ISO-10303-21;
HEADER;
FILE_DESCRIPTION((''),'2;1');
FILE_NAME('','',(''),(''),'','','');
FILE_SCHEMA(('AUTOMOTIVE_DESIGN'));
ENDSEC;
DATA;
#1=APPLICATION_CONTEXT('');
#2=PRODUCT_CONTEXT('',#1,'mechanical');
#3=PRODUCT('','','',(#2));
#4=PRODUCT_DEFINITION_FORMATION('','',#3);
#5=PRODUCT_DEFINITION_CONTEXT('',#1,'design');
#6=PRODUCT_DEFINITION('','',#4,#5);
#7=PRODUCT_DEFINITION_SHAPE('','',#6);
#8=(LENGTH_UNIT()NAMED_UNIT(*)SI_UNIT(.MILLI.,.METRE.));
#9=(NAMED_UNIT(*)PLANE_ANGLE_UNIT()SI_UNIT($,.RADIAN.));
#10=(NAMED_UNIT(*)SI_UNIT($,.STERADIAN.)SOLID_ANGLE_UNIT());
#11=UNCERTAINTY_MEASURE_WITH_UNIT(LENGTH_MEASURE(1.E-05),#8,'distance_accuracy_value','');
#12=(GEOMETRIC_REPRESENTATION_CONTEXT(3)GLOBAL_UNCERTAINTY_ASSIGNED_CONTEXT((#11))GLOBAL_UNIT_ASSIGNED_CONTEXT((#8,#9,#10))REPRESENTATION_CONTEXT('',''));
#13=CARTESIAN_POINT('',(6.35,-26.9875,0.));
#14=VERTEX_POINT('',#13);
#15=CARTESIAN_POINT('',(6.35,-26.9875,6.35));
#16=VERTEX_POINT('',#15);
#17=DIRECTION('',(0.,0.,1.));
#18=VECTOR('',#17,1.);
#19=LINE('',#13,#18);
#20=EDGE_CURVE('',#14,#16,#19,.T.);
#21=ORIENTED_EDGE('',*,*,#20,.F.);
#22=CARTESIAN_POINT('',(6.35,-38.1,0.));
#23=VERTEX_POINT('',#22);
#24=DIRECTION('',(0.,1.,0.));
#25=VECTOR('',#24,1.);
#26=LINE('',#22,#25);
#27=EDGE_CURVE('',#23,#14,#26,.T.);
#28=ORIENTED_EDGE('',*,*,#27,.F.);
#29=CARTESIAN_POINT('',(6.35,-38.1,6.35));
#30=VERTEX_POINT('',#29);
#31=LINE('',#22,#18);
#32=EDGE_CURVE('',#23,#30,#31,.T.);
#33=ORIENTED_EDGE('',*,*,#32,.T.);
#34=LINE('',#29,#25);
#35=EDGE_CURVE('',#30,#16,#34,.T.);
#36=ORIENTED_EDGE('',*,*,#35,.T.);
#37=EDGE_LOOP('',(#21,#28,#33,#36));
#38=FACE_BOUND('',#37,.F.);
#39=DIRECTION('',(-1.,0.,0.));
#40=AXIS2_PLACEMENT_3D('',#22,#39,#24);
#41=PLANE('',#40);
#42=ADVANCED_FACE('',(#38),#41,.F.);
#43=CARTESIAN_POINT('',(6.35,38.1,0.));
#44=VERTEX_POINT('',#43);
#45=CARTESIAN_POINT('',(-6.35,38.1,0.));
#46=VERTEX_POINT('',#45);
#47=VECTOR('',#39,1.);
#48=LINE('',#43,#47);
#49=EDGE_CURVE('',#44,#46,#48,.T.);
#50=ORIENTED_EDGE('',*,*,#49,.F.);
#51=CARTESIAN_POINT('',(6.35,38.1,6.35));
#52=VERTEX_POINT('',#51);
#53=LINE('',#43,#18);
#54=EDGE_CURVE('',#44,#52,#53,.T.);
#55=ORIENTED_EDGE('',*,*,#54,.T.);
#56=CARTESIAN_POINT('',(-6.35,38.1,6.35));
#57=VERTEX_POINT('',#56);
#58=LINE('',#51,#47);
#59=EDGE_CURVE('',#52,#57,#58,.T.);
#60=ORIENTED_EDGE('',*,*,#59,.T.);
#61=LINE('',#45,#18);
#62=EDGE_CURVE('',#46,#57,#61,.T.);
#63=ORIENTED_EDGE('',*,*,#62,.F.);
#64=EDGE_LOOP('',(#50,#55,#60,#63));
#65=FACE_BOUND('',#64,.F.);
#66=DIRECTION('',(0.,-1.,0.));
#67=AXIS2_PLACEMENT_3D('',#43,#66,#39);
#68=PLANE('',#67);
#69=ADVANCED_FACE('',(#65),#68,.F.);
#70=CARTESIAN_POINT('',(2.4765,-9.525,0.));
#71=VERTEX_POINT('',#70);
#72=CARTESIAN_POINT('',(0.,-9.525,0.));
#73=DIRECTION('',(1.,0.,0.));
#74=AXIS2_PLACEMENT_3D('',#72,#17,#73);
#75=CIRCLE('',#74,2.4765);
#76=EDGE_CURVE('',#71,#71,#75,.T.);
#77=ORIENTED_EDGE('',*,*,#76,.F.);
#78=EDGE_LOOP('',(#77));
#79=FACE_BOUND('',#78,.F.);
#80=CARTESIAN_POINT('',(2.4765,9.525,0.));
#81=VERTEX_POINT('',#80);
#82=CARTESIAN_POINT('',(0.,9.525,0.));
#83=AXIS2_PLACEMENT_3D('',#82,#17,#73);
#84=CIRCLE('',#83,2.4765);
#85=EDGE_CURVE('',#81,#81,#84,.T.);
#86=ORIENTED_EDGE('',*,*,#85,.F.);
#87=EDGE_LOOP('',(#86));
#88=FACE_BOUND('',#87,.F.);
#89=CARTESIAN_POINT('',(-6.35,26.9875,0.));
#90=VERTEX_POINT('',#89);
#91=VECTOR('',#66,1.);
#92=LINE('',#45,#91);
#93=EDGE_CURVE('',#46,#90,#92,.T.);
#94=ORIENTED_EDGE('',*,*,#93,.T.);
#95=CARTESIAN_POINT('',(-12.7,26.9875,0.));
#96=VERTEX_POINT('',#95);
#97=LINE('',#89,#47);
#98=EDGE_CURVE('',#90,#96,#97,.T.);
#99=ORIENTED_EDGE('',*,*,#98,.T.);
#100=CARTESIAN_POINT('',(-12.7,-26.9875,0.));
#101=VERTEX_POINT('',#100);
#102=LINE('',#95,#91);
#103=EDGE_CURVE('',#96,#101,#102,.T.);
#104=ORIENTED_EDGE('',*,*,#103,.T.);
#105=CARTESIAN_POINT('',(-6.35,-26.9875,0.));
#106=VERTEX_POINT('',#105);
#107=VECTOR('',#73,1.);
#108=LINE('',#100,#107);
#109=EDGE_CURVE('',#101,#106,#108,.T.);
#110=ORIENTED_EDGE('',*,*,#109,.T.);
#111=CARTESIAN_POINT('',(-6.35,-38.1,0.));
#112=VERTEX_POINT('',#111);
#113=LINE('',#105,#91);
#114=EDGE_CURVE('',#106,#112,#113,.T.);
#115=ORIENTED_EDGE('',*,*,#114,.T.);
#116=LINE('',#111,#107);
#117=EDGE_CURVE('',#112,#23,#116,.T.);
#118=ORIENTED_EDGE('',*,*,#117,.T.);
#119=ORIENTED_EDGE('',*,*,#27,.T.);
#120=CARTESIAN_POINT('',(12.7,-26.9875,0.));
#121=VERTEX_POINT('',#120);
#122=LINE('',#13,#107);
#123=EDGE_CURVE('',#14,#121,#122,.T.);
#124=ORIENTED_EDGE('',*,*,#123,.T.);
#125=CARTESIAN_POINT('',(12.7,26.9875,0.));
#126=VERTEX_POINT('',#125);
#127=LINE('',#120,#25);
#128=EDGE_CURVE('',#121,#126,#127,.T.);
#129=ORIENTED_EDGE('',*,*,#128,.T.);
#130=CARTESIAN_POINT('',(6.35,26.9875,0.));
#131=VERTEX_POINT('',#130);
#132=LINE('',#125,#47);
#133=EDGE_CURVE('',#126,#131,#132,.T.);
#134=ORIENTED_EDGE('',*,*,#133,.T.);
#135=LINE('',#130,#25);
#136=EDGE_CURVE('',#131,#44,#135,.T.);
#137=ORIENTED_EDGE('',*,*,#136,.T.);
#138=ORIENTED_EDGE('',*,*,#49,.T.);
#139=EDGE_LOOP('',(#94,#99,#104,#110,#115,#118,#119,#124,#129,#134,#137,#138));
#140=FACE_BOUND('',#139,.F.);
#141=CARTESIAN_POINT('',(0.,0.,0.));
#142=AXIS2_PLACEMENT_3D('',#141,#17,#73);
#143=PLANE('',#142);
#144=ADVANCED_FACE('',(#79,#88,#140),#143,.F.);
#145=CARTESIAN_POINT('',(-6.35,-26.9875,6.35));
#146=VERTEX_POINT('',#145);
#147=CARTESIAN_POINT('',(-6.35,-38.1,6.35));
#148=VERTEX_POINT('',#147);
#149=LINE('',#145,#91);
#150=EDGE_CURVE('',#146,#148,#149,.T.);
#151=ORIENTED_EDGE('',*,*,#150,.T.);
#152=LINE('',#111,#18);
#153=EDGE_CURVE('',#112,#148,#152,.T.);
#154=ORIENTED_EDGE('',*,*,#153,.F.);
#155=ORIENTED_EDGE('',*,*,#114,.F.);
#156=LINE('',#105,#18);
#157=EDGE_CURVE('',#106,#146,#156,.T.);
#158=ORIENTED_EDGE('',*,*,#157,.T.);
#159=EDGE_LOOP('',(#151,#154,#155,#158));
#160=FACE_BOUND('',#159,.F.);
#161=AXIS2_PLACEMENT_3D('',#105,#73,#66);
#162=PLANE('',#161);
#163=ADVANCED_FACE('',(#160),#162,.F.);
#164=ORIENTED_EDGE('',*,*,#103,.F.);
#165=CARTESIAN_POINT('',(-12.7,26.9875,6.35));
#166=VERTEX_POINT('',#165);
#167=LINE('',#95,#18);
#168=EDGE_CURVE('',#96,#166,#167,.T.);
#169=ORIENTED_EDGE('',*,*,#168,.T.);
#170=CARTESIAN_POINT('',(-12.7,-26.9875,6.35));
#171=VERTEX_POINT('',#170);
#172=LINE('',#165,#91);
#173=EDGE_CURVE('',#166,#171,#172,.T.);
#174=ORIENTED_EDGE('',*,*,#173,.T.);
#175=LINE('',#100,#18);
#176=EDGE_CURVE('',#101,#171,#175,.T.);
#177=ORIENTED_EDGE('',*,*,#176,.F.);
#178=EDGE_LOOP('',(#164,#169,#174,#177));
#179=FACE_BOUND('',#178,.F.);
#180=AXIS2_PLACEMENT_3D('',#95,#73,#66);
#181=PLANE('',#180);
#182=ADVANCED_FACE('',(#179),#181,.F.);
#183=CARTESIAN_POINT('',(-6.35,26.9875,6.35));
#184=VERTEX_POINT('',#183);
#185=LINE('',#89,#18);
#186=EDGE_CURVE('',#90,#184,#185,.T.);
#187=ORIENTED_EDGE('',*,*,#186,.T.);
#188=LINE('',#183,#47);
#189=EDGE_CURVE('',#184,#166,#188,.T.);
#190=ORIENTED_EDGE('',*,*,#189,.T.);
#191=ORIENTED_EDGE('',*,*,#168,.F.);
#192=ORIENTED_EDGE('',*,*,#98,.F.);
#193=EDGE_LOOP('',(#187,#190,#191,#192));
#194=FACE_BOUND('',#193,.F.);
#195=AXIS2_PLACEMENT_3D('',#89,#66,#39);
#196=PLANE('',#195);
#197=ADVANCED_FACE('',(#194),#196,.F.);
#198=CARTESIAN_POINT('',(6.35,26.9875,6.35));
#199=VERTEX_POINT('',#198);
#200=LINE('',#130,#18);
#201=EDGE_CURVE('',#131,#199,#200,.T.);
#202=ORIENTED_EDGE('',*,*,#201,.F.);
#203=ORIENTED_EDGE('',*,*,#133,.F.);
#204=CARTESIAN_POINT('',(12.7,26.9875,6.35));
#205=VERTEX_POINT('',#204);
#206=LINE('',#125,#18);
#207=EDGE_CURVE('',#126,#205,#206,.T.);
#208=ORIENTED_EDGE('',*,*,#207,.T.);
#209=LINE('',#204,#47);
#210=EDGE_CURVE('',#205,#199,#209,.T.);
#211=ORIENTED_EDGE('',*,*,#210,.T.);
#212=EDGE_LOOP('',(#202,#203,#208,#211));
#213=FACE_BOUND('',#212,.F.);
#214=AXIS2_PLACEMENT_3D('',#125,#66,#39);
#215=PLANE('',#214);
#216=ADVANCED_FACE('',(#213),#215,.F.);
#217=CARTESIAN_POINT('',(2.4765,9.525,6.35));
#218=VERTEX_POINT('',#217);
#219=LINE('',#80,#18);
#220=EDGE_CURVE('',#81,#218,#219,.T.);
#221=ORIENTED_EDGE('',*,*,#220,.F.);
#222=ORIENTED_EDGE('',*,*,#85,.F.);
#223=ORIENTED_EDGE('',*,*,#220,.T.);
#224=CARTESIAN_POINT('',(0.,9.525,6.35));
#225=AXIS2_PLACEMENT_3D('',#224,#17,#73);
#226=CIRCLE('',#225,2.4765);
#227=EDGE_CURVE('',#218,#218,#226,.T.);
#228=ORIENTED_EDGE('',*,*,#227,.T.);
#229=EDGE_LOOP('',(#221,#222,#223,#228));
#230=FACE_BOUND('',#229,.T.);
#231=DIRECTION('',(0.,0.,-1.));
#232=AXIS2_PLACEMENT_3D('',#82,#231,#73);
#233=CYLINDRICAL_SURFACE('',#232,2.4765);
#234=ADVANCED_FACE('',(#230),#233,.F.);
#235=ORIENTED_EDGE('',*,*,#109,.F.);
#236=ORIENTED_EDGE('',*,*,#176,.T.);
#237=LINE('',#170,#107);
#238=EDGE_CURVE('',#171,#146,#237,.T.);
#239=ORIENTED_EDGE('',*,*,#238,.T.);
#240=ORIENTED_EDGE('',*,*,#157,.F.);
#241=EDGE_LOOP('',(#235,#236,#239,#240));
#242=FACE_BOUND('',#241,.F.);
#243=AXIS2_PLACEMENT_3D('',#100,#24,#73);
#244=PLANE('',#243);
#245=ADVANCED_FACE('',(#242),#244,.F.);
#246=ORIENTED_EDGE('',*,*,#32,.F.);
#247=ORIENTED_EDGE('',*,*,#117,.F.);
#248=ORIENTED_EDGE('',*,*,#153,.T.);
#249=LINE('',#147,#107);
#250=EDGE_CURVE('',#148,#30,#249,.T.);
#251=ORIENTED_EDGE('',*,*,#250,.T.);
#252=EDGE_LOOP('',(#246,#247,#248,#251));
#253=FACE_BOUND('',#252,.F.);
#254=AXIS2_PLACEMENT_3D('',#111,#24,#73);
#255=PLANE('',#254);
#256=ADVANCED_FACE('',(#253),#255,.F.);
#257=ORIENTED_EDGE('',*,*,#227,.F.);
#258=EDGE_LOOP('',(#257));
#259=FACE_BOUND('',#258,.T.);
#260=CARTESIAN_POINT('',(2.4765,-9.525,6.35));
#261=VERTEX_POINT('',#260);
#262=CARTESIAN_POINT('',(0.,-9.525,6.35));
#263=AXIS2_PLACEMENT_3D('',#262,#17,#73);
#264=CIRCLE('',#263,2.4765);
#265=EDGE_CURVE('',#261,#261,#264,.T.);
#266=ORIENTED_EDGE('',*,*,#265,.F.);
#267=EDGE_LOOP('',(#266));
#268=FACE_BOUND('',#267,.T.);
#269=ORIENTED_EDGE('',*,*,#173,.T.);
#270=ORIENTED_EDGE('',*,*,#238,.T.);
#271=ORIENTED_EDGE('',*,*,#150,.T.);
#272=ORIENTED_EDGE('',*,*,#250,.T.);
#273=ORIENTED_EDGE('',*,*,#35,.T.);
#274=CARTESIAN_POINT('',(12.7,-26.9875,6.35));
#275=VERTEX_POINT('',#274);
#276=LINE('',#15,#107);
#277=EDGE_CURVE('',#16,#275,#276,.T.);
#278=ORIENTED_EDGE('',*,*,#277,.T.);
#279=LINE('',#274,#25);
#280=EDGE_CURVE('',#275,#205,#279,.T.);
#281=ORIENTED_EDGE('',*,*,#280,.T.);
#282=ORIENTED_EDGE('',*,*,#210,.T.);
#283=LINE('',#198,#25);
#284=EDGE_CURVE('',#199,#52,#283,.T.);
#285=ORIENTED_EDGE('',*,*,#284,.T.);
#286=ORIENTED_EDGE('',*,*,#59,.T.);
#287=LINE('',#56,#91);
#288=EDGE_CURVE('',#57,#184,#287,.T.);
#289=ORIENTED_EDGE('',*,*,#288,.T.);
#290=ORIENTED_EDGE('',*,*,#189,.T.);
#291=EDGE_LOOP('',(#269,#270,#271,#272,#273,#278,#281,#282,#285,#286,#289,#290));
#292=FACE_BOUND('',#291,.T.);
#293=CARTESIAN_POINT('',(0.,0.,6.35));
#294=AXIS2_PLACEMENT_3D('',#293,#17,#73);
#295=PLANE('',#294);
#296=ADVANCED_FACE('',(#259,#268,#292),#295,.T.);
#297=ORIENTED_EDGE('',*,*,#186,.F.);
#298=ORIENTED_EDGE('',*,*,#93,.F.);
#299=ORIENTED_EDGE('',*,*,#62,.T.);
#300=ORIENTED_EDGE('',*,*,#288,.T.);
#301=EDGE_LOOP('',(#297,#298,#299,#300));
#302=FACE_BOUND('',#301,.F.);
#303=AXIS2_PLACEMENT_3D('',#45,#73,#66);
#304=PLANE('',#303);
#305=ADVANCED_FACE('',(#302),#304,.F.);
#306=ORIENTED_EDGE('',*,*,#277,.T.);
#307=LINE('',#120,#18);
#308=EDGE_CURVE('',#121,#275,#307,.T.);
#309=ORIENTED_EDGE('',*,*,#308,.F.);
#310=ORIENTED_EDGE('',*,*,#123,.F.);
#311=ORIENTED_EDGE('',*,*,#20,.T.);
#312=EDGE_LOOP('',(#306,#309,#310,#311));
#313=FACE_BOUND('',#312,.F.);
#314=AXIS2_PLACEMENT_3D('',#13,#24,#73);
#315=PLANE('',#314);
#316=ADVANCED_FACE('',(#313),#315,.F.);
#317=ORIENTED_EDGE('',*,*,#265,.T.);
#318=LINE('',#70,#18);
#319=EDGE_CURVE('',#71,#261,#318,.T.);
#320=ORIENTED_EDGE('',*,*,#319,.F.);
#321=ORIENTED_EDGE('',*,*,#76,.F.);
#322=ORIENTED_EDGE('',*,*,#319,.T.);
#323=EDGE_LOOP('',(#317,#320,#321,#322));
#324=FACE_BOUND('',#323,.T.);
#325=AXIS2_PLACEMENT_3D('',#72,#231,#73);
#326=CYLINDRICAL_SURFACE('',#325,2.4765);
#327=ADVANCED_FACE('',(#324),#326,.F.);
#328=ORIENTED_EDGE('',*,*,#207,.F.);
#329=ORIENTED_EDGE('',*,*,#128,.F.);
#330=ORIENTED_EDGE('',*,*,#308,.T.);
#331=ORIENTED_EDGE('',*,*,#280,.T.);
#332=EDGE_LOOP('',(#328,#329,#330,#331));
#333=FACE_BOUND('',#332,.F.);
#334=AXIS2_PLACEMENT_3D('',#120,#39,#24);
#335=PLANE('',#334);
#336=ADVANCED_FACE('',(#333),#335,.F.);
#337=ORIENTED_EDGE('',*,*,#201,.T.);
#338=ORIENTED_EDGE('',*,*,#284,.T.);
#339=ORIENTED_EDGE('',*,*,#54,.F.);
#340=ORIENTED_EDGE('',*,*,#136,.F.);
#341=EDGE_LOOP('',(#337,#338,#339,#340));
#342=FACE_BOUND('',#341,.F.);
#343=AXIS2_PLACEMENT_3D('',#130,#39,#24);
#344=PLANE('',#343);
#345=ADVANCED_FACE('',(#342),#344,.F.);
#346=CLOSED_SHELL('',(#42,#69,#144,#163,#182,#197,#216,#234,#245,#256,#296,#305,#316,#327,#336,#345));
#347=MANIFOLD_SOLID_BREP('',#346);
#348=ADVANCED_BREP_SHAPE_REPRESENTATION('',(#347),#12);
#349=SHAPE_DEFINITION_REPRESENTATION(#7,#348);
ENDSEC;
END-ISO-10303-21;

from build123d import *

# Parameters (mm, degrees)
F0_R     = 2.4765
F1_DEPTH = 6.35


with BuildPart() as f1:
    # F0 (on Top) → F1 (new body)
    with BuildSketch(Plane.XY):
        Polygon((-6.35, 26.9875), (-12.7, 26.9875), (-12.7, -26.9875), (-6.35, -26.9875), (-6.35, -38.1), (6.35, -38.1), (6.35, -26.9875), (12.7, -26.9875), (12.7, 26.9875), (6.35, 26.9875), (6.35, 38.1), (-6.35, 38.1), align=None)
        with Locations((0, -9.525)):
            Circle(F0_R, mode=Mode.SUBTRACT)
        with Locations((0, 9.525)):
            Circle(F0_R, mode=Mode.SUBTRACT)
    extrude(amount=F1_DEPTH)


solid = f1.part
